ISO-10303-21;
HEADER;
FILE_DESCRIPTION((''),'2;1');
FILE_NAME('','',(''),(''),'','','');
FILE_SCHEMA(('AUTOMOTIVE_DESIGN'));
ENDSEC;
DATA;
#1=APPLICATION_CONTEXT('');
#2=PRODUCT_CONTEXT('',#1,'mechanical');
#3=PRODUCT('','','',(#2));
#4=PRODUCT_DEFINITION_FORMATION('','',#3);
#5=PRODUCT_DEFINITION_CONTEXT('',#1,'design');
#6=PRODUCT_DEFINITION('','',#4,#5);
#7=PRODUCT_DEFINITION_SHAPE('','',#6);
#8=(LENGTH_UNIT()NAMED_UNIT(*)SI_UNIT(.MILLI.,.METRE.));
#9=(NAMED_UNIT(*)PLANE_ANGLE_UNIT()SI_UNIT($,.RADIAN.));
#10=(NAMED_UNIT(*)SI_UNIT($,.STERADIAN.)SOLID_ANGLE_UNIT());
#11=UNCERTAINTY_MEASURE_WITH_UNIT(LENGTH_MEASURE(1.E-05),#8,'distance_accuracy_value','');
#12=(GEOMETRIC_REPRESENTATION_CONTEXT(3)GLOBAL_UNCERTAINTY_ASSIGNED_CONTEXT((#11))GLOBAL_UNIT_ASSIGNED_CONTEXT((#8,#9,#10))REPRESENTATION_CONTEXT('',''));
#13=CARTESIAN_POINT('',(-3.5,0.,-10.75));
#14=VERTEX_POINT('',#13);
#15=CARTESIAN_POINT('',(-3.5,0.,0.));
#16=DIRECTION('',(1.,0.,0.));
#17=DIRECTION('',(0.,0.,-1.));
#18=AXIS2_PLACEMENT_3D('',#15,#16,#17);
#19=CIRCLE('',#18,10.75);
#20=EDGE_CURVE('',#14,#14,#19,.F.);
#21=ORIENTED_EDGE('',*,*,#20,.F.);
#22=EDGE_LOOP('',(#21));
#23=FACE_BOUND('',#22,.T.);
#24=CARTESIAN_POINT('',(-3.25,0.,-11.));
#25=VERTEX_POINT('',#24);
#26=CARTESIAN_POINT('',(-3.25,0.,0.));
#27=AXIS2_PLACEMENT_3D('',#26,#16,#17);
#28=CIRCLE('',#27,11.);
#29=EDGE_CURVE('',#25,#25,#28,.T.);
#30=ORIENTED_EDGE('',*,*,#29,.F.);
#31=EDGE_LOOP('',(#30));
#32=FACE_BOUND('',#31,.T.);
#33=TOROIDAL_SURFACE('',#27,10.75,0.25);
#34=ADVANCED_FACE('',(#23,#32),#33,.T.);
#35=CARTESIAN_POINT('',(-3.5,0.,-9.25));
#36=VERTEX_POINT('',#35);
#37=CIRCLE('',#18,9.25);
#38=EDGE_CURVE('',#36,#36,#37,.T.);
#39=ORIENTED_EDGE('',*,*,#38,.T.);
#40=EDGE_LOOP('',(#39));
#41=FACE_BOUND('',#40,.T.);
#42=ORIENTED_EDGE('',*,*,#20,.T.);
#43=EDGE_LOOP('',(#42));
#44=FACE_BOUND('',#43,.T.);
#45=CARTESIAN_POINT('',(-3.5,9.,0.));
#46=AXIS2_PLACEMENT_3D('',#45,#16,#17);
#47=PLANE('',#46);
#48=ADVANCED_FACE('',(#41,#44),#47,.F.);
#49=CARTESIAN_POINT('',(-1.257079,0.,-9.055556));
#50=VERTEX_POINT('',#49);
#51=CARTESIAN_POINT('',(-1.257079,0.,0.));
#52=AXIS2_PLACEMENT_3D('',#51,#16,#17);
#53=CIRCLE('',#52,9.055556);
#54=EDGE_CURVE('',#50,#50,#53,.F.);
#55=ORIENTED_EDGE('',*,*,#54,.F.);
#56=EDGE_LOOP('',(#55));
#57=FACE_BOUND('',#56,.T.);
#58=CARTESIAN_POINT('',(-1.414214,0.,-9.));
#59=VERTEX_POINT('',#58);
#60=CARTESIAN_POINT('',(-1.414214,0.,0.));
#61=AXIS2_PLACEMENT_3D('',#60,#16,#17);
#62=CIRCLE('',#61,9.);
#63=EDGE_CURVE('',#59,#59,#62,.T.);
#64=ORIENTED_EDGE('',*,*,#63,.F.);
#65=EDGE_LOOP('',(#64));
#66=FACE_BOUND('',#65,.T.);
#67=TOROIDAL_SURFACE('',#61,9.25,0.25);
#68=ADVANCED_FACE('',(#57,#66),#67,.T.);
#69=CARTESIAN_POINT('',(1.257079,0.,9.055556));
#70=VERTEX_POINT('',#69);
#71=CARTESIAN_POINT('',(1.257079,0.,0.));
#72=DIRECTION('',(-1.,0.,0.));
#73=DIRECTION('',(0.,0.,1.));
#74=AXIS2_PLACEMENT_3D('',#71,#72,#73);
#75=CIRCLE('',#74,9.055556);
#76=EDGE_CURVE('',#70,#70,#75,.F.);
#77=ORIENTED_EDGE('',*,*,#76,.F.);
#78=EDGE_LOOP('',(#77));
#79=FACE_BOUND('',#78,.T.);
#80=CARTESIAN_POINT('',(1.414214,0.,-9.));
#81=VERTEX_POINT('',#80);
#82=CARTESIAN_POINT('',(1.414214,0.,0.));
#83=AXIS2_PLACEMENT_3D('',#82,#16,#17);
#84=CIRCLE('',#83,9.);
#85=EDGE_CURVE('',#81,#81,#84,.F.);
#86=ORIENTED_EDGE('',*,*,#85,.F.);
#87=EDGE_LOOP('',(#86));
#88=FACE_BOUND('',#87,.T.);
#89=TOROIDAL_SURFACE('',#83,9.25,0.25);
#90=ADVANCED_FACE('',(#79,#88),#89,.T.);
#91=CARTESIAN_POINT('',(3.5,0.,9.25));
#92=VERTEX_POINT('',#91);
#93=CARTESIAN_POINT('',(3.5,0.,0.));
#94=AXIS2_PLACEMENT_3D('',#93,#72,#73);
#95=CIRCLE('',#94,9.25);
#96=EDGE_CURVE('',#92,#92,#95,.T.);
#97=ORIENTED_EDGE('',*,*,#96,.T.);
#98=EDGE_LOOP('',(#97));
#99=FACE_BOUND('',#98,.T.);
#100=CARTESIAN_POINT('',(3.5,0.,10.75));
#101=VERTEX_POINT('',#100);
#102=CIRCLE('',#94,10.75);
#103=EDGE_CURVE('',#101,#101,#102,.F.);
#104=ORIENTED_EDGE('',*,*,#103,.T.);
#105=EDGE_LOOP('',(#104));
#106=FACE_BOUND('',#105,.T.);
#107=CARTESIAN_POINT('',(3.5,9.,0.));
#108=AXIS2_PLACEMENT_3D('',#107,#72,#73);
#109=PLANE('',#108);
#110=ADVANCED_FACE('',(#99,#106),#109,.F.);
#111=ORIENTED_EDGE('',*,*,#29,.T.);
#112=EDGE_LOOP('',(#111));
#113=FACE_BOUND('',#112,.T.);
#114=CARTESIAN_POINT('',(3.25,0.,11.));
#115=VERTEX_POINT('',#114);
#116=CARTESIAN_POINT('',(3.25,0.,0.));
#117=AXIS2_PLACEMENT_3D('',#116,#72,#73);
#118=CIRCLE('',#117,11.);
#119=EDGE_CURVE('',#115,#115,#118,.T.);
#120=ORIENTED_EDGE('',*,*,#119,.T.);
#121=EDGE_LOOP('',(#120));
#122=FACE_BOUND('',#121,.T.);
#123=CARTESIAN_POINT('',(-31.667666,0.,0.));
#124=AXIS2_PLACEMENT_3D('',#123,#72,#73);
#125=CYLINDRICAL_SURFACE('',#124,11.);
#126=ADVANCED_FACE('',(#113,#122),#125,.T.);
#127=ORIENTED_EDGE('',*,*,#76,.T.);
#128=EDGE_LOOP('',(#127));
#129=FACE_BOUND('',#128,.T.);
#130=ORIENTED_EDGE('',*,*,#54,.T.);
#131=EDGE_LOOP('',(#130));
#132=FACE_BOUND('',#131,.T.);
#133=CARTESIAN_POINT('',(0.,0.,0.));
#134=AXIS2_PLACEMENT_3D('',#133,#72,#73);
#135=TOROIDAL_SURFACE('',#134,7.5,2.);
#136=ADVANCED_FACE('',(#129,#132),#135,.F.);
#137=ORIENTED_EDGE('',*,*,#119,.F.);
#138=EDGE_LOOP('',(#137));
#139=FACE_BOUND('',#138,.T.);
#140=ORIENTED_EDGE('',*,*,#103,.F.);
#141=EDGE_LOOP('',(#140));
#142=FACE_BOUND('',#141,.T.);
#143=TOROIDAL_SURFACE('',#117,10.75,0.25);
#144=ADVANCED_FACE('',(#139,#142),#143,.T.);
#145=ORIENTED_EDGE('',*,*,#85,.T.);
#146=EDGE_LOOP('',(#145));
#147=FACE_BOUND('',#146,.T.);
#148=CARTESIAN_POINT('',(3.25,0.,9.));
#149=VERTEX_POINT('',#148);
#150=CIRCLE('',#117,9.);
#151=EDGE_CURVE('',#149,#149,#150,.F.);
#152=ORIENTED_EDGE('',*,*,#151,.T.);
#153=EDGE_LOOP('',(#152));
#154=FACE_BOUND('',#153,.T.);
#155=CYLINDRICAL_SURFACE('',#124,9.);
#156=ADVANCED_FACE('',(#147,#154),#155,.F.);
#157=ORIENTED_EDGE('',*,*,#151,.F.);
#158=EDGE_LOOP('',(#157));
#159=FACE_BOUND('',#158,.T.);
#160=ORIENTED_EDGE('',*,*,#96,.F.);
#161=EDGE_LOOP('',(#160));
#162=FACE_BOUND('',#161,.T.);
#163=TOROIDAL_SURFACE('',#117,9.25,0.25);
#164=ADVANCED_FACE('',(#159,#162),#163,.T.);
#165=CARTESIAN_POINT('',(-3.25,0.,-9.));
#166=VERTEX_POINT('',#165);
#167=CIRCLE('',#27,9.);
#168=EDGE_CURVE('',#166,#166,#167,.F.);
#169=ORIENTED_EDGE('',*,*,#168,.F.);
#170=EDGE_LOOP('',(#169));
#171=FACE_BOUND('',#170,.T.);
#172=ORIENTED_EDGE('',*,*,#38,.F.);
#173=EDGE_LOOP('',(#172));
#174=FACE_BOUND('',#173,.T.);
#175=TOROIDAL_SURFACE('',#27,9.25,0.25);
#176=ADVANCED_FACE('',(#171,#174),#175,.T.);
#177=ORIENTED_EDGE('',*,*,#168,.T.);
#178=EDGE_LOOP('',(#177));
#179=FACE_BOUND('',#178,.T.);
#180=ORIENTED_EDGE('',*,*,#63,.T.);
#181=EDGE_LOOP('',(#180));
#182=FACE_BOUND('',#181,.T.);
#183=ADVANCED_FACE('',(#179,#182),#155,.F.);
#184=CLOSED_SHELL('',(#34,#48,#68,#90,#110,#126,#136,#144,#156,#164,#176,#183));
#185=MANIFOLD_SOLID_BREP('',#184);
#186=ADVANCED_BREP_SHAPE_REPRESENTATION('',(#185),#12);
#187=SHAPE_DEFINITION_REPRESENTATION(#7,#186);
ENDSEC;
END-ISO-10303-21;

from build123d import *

# Parameters (mm, degrees)
CONG_1_R = 0.25


with BuildPart() as part:
    # Esquisse1 → Révolution1 (revolve)
    with BuildSketch(Plane.XY, mode=Mode.PRIVATE) as r_volution1_sk:
        with BuildLine():
            Line((1.322875656, 9), (3.5, 9))
            Line((3.5, 9), (3.5, 11))
            Line((3.5, 11), (-3.5, 11))
            Line((-3.5, 11), (-3.5, 9))
            Line((-3.5, 9), (-1.322875656, 9))
            ThreePointArc((-1.322875656, 9), (0, 9.5), (1.322875656, 9))
        make_face()
    revolve(r_volution1_sk.sketch.rotate(Axis((-31.667666126, 0, 0), (1, 0, 0)), 90), axis=Axis((-31.667666126, 0, 0), (1, 0, 0)))

    # Congé1
    cong_1_edges = [part.edges().sort_by_distance(p)[0] for p in [
        (1.322875656, 0, -9),
        (3.5, 0, -9),
        (3.5, 0, -11),
        (-3.5, 0, -11),
        (-3.5, 0, -9),
        (-1.322875656, 0, -9),
    ]]
    fillet(cong_1_edges, radius=CONG_1_R)


solid = part.part
